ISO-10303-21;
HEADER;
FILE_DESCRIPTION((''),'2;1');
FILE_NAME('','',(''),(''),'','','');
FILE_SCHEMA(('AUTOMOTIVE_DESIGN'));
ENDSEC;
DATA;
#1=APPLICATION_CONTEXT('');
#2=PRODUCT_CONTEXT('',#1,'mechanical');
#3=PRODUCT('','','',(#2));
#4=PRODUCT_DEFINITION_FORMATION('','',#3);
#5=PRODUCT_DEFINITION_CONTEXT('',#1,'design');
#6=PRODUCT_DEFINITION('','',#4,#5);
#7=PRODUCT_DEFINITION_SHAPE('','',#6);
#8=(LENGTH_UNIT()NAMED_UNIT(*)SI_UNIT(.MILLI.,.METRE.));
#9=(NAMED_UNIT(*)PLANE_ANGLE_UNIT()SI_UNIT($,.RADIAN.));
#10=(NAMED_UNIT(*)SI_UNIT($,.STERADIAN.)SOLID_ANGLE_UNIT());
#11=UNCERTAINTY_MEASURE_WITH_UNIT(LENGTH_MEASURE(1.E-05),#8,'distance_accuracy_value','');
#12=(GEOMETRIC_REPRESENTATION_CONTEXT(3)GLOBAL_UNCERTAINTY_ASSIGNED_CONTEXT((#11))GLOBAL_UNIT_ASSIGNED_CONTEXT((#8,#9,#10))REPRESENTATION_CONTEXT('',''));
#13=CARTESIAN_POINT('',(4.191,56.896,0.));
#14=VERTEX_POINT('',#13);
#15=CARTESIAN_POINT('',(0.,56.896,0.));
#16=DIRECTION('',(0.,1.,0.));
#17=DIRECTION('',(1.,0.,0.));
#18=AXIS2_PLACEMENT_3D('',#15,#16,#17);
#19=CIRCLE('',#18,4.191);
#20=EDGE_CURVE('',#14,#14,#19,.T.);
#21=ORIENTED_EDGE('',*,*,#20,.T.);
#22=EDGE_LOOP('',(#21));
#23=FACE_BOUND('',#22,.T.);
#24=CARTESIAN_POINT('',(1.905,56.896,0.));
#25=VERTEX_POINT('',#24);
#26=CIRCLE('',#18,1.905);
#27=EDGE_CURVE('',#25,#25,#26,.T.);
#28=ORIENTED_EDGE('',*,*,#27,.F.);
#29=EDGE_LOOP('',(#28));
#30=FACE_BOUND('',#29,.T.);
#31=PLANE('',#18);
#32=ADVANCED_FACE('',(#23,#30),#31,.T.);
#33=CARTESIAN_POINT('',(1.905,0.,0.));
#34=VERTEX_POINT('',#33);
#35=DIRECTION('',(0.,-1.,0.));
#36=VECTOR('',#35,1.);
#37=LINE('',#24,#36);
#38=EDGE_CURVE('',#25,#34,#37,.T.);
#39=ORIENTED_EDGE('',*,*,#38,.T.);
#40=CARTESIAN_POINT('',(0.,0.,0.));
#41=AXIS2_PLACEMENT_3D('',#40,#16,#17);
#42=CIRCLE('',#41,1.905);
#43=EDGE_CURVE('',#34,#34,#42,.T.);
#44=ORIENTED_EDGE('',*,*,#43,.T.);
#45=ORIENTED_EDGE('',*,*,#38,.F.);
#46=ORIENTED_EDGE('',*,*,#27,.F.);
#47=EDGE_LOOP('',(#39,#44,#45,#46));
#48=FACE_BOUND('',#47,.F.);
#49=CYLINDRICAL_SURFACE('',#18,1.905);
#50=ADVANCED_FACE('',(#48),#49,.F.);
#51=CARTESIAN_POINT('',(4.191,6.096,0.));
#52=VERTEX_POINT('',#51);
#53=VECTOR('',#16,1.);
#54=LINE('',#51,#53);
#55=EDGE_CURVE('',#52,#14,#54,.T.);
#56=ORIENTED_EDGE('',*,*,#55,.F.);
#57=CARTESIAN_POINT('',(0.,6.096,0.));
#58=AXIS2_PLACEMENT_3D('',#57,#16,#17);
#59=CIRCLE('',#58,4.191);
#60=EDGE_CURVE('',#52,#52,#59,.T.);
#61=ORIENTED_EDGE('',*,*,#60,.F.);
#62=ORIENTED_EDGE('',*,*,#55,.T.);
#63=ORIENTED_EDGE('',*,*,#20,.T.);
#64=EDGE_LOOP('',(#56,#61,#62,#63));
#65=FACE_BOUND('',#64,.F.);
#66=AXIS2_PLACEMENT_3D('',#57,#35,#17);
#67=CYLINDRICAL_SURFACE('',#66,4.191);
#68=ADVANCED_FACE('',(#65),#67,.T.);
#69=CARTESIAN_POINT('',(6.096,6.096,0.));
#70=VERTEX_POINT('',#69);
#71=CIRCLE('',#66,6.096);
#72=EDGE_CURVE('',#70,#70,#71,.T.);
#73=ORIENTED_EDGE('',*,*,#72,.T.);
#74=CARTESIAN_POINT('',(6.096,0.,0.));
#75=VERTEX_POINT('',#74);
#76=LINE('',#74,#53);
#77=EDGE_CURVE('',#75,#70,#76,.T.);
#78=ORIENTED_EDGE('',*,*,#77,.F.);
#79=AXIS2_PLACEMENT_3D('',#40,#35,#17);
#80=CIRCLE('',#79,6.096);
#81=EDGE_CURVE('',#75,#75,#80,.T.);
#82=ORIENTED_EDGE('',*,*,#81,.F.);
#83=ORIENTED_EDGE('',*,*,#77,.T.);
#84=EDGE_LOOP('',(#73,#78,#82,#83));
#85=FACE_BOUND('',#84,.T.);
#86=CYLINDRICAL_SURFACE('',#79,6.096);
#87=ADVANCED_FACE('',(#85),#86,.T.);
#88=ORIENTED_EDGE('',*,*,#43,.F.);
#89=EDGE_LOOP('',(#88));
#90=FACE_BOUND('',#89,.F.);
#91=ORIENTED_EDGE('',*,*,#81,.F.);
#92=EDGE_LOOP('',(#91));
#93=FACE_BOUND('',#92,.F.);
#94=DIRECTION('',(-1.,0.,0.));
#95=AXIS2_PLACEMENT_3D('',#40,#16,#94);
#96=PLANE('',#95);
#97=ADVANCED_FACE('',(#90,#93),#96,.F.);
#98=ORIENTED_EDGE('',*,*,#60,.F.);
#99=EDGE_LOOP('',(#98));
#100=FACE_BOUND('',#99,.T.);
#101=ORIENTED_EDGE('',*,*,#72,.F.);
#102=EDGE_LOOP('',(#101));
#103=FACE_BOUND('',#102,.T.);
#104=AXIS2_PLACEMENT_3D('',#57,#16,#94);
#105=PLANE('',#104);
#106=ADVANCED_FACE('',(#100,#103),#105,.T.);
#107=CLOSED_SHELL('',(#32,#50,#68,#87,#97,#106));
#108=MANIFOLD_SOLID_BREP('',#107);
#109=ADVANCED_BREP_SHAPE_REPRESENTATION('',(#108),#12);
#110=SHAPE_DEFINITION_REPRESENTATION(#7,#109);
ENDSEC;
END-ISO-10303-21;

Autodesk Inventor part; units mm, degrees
ref_plane "YZ Plane" through (0, 0, 0) normal (1, 0, 0) x (0, 1, 0)
ref_plane "XZ Plane" through (0, 0, 0) normal (0, 1, 0) x (-1, 0, 0)
ref_plane "XY Plane" through (0, 0, 0) normal (0, 0, 1) x (1, 0, 0)
sketch "Sketch1" plane through (0, 0, 0) normal (0, 1, 0) x (-1, 0, 0)
  circle A0 centre (0, 0) radius 7.366
  dimension "d0" = 14.732
extrude "Extrusion1" add sketch "Sketch1" along normal blind 6.096
sketch "Sketch2" plane through (0, 6.096, 0) normal (0, 1, 0) x (1, 0, 0)
  circle A0 centre (0, 0) radius 4.191
  dimension "d3" = 8.382
extrude "Extrusion2" add sketch "Sketch2" along normal blind 50.8
sketch "Sketch3" plane through (0, 0, 0) normal (0, -1, 0) x (1, 0, 0)
  circle A0 centre (0, 0) radius 7.366
  circle A1 centre (0, 0) radius 4.191 projected
  circle A2 centre (0, 0) radius 6.096
  circle A3 centre (0, 0) radius 7.366
  dimension "d6" = 12.192
extrude "Extrusion3" cut sketch "Sketch3" against normal through all contours A0
sketch "Sketch4" plane through (0, 56.896, 0) normal (0, 1, 0) x (1, 0, 0)
  circle A0 centre (0, 0) radius 4.191 projected
  circle A1 centre (0, 0) radius 1.905
  dimension "d9" = 3.81
extrude "Extrusion4" cut sketch "Sketch4" against normal through all contours A1
properties part number "arm connector"
